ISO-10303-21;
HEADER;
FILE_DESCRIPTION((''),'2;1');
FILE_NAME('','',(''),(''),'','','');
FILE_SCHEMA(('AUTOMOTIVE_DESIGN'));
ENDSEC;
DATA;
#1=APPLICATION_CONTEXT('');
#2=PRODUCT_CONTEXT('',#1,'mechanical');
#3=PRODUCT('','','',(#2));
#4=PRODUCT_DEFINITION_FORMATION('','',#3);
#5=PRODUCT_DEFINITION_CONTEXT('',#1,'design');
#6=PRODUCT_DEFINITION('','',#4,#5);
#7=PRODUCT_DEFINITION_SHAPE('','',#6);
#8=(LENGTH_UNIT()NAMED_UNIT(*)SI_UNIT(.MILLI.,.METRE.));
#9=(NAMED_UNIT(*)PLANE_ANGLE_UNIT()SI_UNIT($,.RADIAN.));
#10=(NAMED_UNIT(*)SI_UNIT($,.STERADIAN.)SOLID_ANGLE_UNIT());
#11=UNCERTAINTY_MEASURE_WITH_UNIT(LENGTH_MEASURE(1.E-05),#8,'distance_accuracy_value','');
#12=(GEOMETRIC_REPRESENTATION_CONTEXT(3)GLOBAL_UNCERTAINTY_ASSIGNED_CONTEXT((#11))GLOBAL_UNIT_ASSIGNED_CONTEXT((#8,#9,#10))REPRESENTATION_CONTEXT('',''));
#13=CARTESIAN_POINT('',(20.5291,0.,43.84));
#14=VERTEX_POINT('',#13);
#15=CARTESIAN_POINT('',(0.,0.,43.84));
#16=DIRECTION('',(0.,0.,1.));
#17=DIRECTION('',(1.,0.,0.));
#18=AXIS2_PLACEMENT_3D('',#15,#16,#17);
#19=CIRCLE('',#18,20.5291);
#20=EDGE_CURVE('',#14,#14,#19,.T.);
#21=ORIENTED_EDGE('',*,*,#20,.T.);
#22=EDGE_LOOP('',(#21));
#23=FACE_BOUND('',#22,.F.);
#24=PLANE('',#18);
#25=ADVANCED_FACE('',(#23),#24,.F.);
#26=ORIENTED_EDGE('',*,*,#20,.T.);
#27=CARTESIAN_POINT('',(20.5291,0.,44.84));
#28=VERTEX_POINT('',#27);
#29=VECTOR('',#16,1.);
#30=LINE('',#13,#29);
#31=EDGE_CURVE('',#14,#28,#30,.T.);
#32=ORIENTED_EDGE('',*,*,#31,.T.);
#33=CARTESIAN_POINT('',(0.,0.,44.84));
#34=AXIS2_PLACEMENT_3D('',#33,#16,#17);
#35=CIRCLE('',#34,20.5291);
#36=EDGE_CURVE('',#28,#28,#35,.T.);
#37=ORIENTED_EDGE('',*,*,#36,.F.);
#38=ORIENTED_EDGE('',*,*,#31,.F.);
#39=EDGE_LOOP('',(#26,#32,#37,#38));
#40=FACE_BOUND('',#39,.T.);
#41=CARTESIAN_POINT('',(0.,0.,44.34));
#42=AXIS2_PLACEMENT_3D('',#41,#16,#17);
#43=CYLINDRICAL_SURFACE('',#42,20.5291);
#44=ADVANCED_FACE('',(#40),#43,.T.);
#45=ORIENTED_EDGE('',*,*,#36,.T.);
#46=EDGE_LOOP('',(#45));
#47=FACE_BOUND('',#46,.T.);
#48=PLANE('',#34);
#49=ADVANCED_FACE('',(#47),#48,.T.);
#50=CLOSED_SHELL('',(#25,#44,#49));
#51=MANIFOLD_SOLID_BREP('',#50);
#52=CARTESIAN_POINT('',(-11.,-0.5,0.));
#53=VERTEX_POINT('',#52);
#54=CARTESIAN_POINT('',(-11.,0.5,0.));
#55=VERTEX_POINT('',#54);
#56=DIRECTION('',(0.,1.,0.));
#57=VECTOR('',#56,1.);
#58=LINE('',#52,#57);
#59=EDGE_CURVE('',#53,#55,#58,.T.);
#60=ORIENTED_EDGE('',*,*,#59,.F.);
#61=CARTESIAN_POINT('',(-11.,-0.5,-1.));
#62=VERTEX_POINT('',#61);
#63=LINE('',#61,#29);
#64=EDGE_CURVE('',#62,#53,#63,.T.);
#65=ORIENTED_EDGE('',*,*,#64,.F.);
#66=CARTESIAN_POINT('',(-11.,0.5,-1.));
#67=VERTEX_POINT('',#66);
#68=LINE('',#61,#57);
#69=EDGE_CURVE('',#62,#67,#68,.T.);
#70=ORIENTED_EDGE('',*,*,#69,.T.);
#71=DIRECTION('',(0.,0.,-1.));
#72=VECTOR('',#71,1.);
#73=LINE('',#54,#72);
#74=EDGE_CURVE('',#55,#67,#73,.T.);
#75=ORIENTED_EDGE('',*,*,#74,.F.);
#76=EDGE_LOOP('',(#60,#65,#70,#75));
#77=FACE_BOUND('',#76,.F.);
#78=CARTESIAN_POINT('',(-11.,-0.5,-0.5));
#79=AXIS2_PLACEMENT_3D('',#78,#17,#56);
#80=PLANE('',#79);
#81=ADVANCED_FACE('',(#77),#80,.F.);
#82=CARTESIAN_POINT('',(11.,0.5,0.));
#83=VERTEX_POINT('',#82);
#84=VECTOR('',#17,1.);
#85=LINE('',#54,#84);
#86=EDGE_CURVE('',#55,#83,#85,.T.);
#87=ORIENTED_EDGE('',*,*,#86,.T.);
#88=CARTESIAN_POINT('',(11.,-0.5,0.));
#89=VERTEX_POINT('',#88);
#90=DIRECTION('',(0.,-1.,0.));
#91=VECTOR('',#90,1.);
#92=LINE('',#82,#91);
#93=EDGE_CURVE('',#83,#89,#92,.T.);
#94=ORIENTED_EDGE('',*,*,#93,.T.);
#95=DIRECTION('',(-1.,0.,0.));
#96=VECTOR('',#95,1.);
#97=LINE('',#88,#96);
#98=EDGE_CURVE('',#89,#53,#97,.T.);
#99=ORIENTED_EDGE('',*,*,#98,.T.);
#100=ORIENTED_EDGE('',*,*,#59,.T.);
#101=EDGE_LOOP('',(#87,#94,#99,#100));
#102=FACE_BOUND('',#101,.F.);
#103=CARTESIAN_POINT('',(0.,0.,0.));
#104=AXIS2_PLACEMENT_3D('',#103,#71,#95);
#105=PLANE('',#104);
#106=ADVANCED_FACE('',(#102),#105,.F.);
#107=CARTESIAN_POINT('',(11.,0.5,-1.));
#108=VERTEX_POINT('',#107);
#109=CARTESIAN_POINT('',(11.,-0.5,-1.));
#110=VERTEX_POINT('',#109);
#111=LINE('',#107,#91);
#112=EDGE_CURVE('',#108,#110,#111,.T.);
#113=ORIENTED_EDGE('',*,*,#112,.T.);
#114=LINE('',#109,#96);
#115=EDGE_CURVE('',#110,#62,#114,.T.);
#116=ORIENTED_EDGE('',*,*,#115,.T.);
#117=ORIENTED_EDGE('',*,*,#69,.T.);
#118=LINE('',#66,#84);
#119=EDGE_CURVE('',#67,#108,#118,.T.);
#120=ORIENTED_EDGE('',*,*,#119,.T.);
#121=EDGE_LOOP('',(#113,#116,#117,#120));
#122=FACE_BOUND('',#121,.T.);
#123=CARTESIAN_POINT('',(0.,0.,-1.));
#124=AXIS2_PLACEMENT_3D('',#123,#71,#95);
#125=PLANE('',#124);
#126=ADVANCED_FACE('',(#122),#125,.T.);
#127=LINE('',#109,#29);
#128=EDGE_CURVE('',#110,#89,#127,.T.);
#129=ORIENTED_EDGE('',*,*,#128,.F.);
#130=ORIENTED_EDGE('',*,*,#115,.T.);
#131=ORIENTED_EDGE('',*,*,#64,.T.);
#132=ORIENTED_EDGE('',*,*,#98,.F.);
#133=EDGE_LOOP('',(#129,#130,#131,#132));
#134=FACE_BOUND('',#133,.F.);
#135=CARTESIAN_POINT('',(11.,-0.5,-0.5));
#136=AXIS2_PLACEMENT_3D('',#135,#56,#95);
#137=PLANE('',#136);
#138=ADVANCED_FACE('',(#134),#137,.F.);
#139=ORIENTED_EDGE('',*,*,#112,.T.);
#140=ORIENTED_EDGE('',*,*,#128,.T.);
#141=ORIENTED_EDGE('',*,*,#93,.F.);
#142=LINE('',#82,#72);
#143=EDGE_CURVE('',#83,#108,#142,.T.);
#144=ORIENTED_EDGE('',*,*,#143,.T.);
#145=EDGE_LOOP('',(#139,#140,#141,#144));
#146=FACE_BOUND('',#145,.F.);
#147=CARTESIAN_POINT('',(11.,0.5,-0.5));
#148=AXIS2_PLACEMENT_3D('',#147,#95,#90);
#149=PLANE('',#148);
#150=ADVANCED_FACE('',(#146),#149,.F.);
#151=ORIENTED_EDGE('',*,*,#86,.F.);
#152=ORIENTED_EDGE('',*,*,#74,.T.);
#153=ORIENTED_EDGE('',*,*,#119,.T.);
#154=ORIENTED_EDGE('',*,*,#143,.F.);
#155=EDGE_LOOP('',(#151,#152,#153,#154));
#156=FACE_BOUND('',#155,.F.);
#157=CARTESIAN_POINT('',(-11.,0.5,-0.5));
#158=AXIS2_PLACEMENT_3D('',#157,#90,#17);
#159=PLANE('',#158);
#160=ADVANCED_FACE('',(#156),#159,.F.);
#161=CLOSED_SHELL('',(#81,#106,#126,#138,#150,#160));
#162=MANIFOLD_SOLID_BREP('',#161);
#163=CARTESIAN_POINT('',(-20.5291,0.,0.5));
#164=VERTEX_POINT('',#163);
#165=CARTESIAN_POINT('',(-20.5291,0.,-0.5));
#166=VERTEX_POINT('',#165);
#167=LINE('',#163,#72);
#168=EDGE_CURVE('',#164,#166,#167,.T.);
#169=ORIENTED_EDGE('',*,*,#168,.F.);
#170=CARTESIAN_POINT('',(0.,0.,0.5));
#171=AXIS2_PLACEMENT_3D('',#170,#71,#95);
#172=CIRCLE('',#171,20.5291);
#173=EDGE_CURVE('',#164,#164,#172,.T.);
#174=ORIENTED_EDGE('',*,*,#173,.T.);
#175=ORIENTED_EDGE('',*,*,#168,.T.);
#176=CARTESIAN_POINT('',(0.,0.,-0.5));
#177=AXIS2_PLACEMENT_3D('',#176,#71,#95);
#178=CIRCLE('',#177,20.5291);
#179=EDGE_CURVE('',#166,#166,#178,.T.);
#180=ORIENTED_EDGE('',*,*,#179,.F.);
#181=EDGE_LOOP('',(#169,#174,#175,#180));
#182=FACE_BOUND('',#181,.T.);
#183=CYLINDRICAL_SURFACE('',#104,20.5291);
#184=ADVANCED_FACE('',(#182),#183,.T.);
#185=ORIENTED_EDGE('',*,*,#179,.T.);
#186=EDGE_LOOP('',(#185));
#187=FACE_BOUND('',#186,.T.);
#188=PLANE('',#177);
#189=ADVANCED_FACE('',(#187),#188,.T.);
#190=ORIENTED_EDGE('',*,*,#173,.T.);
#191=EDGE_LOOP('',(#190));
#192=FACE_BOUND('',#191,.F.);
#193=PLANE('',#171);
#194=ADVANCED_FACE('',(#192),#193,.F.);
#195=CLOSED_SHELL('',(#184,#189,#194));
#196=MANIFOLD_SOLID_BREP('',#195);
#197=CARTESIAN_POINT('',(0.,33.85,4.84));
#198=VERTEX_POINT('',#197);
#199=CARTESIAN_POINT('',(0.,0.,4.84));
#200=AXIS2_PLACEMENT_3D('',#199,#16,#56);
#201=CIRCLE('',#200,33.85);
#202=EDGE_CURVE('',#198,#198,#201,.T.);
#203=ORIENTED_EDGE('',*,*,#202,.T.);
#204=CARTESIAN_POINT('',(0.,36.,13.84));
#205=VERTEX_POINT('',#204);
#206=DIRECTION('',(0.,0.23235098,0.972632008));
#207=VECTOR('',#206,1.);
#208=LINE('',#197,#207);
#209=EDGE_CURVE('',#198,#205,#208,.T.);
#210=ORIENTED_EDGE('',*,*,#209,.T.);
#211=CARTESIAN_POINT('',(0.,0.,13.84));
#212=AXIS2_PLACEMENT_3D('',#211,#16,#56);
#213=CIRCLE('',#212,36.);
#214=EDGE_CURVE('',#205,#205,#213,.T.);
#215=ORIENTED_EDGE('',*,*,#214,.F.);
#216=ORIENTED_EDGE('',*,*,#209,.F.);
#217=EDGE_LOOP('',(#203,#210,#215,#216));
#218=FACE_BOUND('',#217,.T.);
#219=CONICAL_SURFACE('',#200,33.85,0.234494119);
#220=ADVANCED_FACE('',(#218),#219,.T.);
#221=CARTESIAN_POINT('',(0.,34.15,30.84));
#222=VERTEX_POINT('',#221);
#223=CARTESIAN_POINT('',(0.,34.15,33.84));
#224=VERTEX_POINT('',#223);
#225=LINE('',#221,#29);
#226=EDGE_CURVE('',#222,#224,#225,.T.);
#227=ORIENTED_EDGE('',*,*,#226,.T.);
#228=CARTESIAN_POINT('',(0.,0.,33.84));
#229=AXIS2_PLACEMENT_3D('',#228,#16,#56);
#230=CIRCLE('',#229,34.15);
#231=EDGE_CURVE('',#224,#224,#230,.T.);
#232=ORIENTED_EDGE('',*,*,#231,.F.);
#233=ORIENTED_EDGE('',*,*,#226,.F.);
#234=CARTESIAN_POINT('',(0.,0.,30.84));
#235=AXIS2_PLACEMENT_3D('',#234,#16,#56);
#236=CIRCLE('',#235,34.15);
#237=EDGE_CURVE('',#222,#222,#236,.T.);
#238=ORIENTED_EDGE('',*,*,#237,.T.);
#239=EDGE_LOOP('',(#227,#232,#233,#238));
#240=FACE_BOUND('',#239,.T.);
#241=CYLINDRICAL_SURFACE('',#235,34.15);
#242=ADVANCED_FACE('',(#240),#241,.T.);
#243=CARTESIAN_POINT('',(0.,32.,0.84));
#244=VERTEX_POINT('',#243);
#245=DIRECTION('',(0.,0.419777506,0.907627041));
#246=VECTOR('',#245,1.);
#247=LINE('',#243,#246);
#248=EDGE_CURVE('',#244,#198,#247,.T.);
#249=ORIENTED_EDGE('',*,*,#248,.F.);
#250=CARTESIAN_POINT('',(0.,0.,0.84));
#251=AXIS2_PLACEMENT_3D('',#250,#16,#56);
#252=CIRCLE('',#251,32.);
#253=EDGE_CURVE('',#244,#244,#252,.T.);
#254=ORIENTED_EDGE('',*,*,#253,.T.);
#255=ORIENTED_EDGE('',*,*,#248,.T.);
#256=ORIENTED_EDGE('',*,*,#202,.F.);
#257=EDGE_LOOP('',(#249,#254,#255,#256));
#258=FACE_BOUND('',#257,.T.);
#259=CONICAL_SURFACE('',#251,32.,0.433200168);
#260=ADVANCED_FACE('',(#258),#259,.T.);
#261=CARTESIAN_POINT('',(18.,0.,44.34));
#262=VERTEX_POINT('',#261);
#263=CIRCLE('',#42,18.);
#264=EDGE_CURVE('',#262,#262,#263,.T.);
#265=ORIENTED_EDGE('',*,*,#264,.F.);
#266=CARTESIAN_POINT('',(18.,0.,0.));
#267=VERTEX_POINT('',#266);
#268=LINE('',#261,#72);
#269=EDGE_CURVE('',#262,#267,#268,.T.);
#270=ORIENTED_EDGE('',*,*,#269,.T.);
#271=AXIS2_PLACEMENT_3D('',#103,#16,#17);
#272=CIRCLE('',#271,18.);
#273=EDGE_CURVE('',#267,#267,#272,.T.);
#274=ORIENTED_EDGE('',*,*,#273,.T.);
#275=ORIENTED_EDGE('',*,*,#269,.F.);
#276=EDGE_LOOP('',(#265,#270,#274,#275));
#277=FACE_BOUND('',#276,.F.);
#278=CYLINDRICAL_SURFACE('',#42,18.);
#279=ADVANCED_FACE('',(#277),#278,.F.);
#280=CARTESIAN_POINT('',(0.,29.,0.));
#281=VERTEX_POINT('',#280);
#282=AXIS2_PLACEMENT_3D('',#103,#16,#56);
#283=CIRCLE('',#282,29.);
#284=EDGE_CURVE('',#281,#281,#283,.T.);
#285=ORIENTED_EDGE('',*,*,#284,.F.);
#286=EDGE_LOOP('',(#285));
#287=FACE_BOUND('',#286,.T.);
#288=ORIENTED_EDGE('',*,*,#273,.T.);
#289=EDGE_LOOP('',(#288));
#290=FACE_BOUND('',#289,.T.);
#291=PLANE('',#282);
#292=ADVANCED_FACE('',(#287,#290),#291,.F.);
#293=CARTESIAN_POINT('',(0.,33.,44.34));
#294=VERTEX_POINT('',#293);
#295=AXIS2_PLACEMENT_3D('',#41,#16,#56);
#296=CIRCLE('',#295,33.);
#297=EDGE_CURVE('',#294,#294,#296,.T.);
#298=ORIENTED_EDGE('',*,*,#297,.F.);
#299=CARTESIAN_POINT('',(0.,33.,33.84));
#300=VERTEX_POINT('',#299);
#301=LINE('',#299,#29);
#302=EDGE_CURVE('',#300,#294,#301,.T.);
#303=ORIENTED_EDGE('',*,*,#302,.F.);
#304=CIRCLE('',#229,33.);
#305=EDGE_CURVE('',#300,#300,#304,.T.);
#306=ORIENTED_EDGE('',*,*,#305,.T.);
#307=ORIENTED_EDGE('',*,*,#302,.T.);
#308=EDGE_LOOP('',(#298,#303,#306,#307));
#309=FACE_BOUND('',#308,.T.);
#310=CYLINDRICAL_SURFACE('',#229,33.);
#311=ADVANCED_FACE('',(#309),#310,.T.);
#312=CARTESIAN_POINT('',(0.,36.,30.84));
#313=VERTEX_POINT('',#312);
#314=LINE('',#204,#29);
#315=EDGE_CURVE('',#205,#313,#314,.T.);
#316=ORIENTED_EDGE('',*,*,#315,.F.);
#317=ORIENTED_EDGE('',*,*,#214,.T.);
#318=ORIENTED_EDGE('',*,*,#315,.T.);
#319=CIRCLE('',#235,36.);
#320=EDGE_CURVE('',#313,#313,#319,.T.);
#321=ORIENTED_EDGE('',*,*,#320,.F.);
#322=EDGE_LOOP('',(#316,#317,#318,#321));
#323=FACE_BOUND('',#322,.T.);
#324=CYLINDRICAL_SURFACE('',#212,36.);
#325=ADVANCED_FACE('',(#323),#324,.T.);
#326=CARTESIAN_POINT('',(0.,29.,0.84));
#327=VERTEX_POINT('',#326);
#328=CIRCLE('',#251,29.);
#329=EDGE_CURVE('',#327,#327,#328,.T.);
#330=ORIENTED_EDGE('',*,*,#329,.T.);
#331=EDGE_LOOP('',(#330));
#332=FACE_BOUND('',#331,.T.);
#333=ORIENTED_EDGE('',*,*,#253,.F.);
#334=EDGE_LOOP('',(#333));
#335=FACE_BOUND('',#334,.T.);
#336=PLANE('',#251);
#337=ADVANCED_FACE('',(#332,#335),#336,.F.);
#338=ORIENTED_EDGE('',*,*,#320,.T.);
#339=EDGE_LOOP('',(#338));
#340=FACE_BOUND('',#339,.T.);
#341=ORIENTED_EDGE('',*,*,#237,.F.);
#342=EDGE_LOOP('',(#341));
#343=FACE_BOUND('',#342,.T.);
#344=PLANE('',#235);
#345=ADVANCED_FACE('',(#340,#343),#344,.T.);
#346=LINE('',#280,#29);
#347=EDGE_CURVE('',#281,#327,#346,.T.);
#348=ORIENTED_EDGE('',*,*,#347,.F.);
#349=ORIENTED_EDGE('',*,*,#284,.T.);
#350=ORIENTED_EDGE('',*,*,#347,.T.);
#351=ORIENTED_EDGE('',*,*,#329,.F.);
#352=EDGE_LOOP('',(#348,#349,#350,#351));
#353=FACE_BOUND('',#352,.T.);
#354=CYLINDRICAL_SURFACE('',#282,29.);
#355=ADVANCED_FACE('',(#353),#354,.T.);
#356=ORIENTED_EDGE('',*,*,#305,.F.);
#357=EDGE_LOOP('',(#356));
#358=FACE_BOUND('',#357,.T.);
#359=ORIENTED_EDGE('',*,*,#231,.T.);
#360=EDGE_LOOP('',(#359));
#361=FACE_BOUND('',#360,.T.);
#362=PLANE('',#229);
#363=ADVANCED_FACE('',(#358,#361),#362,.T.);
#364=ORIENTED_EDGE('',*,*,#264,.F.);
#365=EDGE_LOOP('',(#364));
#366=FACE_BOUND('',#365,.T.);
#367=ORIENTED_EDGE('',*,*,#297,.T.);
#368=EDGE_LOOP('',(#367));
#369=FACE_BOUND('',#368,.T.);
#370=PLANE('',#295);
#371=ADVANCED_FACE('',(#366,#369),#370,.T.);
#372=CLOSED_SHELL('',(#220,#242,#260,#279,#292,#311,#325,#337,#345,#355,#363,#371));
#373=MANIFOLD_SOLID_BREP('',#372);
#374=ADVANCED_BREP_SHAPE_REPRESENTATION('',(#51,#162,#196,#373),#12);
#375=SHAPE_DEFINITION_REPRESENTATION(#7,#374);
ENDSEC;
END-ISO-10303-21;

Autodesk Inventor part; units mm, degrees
ref_plane "YZ Plane" through (0, 0, 0) normal (1, 0, 0) x (0, 1, 0)
ref_plane "XZ Plane" through (0, 0, 0) normal (0, 1, 0) x (-1, 0, 0)
ref_plane "XY Plane" through (0, 0, 0) normal (0, 0, 1) x (1, 0, 0)
sketch "Sketch1" plane through (0, 0, 0) normal (1, 0, 0) x (0, 1, 0)
  line L0 (0, -8.868) -> (0, 53.208) construction
  line L1 (-7.2, 0) -> (43.2, 0) construction
  line L2 (0, 0) -> (29, 0)
  line L3 (29, 0) -> (29, 0.84)
  line L4 (29, 0.84) -> (32, 0.84)
  line L5 (32, 0.84) -> (33.85, 4.84)
  line L6 (33.85, 4.84) -> (36, 13.84)
  line L7 (36, 13.84) -> (36, 30.84)
  line L8 (36, 30.84) -> (34.15, 30.84)
  line L9 (34.15, 30.84) -> (34.15, 33.84)
  line L10 (34.15, 33.84) -> (33, 33.84)
  line L11 (33, 33.84) -> (33, 44.34)
  line L12 (33, 44.34) -> (0, 44.34)
  line L13 (0, 44.34) -> (0, 0)
  dimension "d2" = 58
  dimension "d3" = 0.84
  dimension "d5" = 64
  dimension "d6" = 4
  dimension "d7" = 67.7
  dimension "d8" = 72
  dimension "d9" = 9
  dimension "d10" = 17
  dimension "d11" = 3
  dimension "d12" = 68.3
  dimension "d13" = 10.5
  dimension "d14" = 66
revolve "Revolution1" add sketch "Sketch1" angle 360 about axis through (0, 0, -10) along (0, 0, 1)
sketch "Sketch4" plane through (0, 0, 44.34) normal (0, 0, 1) x (1, 0, 0)
  circle A0 centre (0, 0) radius 18
  dimension "d19" = 36
extrude "Extrusion1" cut sketch "Sketch4" against normal up to next
sketch "Sketch6" plane through (0, 0, 0) normal (0, 0, -1) x (-1, 0, 0)
  circle A0 centre (0, 0) radius 20.5291
extrude "Extrusion: Lens Imitation" add sketch "Sketch6" against normal mid plane 1 separate body
sketch "Sketch7" plane through (0, 0, 44.34) normal (0, 0, 1) x (1, 0, 0)
  circle A0 centre (0, 0) radius 20.5291
extrude "Extrusion: Lens imitation 1" add sketch "Sketch7" against normal mid plane 1 separate body
sketch "Sketch8" plane through (0, 0, -0.5) normal (0, 0, -1) x (-1, 0, 0)
  line L0 (11, 0.5) -> (-11, 0.5)
  line L1 (-11, 0.5) -> (-11, -0.5)
  line L2 (-11, -0.5) -> (11, -0.5)
  line L3 (11, -0.5) -> (11, 0.5)
  line L4 (11, 0.5) -> (-11, -0.5) construction
  line L5 (-11, 0.5) -> (11, -0.5) construction
  point P0 (0, 0)
  dimension "d28" = 22
  dimension "d29" = 1
extrude "Extrusion5" add sketch "Sketch8" along normal mid plane 1 separate body
properties part number "50mm_1_4G_body_disassembled" material "Iron, Cast"
